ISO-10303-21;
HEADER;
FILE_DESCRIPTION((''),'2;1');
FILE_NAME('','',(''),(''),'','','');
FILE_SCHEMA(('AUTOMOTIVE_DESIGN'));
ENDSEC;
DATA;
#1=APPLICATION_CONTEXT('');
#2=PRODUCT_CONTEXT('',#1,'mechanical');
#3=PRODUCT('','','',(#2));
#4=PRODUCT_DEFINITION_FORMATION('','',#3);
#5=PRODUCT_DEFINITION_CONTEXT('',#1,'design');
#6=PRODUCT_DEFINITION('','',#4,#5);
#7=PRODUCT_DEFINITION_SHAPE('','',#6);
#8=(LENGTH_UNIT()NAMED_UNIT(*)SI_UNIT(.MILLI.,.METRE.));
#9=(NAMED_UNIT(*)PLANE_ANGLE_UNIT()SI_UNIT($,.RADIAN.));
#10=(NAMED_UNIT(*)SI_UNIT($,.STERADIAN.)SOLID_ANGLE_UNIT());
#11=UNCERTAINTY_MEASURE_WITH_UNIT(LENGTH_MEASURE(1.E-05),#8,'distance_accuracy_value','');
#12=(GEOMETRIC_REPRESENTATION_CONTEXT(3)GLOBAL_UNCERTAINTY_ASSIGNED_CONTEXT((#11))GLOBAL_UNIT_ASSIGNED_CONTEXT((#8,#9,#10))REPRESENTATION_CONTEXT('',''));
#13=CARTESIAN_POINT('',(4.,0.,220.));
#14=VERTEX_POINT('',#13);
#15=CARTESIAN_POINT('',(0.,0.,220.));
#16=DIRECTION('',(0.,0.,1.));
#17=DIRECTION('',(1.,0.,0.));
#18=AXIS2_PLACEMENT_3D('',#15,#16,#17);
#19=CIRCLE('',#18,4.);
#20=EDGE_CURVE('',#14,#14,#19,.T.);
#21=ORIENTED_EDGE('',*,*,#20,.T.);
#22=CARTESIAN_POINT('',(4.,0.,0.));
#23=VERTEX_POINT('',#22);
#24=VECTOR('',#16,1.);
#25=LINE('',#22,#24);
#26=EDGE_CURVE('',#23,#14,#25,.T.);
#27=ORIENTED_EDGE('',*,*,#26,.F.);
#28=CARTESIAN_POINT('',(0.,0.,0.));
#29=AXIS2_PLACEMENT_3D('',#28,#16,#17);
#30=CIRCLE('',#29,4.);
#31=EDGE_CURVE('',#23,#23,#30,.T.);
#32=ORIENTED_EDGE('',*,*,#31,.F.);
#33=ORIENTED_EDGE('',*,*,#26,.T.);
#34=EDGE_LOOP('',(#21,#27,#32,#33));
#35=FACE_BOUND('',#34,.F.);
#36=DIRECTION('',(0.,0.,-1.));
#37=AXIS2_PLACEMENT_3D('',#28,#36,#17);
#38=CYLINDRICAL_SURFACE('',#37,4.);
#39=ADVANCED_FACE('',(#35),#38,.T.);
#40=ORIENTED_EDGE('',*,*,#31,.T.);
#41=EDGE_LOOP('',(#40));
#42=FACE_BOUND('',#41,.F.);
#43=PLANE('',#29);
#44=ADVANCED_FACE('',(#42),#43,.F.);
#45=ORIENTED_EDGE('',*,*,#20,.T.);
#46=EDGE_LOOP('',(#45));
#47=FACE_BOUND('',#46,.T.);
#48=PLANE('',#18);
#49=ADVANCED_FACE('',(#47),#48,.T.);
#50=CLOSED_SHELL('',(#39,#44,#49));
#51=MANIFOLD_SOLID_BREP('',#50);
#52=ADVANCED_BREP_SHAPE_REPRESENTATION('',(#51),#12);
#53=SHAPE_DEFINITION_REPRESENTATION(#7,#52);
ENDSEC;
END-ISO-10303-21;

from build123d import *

# Parameters (mm, degrees)
SKETCH1_R           = 4
BOSS_EXTRUDE1_DEPTH = 220


with BuildPart() as part:
    # Sketch1 → Boss-Extrude1 (new body)
    with BuildSketch(Plane.XY):
        Circle(SKETCH1_R)
    extrude(amount=BOSS_EXTRUDE1_DEPTH)


solid = part.part
